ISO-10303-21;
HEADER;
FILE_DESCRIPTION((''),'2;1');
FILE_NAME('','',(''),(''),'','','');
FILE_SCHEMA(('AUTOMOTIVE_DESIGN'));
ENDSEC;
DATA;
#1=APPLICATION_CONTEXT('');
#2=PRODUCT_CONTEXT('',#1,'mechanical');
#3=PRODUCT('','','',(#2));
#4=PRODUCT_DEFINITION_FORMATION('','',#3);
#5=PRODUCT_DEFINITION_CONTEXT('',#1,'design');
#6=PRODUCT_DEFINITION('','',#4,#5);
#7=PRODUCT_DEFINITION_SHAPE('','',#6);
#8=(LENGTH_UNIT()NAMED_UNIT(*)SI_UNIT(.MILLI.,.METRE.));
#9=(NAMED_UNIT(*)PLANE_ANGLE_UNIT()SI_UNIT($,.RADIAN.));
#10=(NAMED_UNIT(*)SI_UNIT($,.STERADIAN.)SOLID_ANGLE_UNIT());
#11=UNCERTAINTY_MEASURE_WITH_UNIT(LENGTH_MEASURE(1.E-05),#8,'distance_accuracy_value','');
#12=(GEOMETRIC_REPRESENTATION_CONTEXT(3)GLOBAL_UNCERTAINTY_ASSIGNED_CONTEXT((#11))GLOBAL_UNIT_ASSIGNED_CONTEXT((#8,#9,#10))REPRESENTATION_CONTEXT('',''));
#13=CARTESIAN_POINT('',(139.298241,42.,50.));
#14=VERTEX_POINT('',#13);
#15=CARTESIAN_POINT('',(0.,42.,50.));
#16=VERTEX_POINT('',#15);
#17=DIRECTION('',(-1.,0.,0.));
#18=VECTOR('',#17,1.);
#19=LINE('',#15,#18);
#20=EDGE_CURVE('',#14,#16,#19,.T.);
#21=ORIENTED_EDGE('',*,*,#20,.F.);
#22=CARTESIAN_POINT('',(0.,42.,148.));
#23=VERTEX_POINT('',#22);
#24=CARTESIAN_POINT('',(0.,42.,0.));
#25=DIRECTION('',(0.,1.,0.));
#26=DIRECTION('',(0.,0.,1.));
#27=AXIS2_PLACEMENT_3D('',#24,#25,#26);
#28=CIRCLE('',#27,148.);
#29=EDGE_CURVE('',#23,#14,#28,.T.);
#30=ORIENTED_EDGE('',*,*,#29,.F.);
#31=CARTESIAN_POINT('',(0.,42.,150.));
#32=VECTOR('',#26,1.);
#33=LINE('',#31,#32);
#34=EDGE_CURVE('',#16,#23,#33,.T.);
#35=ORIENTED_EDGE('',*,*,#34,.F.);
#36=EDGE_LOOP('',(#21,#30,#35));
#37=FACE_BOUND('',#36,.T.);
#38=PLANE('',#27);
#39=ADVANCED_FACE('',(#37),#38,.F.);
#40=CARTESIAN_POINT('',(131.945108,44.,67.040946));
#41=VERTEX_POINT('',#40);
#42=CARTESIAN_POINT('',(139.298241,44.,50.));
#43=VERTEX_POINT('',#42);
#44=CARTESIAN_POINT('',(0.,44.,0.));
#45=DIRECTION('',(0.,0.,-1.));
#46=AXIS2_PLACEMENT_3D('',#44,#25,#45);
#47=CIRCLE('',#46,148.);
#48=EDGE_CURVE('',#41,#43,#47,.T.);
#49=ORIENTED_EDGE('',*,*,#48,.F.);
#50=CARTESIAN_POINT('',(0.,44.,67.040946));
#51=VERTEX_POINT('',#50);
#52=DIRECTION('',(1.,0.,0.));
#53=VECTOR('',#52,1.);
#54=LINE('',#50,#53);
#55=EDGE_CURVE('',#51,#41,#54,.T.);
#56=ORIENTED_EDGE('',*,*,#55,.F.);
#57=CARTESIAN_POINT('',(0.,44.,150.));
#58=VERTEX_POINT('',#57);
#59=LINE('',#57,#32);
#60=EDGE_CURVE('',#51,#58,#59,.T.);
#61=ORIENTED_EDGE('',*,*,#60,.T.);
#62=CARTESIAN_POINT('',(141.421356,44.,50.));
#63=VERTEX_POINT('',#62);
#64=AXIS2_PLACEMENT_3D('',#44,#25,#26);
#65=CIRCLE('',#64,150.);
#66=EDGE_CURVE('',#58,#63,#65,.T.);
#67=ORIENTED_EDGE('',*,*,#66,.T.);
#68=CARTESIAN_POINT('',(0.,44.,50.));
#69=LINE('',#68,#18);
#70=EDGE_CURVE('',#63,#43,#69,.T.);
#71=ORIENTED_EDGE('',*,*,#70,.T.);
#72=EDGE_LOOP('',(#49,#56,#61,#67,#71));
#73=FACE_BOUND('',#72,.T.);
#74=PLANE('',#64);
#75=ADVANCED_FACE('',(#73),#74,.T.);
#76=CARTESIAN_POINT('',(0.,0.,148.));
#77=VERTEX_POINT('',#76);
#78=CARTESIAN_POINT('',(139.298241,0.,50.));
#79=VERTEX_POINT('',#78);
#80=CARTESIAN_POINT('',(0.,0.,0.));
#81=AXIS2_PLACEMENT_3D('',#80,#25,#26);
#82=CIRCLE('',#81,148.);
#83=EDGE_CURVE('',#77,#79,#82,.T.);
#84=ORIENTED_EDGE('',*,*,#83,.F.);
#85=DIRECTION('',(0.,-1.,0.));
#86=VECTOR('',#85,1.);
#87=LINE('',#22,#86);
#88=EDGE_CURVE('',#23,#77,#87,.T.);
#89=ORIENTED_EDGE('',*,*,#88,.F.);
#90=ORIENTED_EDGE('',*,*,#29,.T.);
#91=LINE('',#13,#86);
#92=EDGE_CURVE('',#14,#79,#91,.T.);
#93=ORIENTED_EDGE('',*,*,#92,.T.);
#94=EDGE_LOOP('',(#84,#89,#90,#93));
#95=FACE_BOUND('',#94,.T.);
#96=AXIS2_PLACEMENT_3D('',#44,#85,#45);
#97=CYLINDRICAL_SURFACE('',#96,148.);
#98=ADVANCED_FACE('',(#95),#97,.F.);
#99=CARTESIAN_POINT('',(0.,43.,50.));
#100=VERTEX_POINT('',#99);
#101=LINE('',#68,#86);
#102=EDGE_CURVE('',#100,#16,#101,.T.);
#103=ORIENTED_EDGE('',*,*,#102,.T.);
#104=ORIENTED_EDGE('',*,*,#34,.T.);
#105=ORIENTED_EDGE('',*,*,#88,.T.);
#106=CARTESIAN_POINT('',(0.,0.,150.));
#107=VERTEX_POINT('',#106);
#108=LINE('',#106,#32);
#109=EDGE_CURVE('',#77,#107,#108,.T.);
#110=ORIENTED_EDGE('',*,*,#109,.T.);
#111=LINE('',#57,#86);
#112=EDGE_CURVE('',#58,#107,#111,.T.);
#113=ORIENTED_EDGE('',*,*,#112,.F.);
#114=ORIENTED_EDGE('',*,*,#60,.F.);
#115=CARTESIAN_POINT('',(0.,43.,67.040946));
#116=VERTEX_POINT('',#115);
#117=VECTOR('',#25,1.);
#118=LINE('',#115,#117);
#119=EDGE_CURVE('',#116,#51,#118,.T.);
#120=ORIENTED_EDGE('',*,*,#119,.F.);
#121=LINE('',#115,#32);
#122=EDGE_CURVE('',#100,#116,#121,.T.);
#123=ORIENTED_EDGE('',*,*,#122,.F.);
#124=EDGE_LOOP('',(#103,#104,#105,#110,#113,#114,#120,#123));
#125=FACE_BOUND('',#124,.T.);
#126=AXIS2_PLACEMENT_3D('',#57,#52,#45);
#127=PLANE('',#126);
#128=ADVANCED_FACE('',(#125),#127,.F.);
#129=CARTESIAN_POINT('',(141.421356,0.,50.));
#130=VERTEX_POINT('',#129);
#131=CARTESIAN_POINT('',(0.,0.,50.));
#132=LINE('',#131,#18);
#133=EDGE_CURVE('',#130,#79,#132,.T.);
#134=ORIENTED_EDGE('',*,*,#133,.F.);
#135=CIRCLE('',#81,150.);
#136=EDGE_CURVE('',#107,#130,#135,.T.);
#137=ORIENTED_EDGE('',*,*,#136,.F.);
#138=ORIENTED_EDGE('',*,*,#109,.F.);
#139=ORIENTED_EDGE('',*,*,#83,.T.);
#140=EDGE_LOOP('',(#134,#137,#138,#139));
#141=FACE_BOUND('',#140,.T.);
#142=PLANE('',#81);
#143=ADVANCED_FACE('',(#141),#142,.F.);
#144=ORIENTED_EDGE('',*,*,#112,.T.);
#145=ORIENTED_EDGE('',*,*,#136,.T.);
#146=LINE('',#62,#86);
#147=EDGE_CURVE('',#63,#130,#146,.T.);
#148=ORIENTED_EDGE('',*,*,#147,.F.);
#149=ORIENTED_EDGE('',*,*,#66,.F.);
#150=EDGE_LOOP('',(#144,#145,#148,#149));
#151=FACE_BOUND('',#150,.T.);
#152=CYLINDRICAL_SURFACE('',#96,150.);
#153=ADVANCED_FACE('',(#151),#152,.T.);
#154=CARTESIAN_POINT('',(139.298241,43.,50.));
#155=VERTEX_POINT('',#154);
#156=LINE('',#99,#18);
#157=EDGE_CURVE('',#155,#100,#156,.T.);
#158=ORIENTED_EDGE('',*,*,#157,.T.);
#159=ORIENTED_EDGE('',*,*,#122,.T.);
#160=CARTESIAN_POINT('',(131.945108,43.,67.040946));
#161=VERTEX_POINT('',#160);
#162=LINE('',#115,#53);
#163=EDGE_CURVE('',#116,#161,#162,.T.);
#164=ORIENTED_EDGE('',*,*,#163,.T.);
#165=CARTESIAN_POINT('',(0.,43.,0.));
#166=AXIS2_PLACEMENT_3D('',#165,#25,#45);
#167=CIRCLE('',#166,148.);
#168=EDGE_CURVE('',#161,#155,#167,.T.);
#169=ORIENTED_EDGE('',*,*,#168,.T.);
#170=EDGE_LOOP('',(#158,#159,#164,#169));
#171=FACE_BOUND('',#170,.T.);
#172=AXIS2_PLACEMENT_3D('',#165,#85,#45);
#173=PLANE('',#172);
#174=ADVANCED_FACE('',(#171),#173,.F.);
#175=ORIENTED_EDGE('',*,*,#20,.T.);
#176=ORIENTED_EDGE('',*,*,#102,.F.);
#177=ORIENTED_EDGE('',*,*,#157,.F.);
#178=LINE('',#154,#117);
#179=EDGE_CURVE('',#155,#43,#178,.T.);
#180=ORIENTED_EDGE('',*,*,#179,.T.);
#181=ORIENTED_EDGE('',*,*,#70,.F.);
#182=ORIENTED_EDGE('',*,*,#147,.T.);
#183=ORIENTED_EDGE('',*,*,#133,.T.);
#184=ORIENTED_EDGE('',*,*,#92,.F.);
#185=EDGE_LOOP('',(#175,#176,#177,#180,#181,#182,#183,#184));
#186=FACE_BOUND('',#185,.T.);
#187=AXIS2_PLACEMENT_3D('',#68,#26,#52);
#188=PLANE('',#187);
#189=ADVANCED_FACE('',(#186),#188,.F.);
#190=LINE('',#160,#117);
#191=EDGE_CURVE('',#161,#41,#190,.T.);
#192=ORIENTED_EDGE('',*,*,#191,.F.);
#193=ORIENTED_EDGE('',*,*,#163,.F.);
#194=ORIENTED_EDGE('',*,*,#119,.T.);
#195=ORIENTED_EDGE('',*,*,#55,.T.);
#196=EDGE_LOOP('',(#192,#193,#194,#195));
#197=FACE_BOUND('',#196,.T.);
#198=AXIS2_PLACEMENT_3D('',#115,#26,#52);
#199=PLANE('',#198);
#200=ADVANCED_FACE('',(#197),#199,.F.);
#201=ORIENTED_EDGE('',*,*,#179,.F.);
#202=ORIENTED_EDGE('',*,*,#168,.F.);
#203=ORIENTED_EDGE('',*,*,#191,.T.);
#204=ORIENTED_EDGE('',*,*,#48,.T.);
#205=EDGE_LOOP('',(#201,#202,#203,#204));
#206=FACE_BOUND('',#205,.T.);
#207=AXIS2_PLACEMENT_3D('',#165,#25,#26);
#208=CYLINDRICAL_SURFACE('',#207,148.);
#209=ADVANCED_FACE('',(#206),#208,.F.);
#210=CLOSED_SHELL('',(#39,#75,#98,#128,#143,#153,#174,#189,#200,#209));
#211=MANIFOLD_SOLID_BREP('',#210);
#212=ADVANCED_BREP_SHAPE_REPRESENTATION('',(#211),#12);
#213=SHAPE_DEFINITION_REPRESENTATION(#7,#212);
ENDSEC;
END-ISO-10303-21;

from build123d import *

# Parameters (mm, degrees)
BOSS_EXTRUDE1_DEPTH = 44
SHELL1_T            = -2
CUT_EXTRUDE1_START  = -1
CUT_EXTRUDE1_DEPTH  = 1


with BuildPart() as part:
    # Sketch1 → Boss-Extrude1 (new body)
    with BuildSketch(Plane(origin=(0, 0, 0), x_dir=(1, 0, 0), z_dir=(0, 1, 0))):
        with BuildLine():
            Line((0, -150), (0, -50))
            Line((0, -50), (141.421356237, -50))
            ThreePointArc((141.421356237, -50), (86.602540378, -122.474487139), (0, -150))
        make_face()
    extrude(amount=BOSS_EXTRUDE1_DEPTH)

    # Shell1
    shell1_openings = [part.faces().sort_by_distance(p)[0] for p in [
        (56.564232989, 0, 91.421606215),
        (0, 22, 100),
        (70.710678119, 22, 50),
    ]]
    offset(amount=SHELL1_T, openings=shell1_openings, kind=Kind.INTERSECTION)

    # Sketch2 → Cut-Extrude1 (cut)
    with BuildSketch(Plane(origin=(0, 44, 0), x_dir=(1, 0, 0), z_dir=(0, 1, 0)).offset(CUT_EXTRUDE1_START)):
        with BuildLine():
            Line((0, -67.040946117), (131.94510807, -67.040946117))
            ThreePointArc((131.94510807, -67.040946117), (135.889061706, -58.635850029), (139.298241195, -50))
            Line((139.298241195, -50), (0, -50))
            Line((0, -50), (0, -67.040946117))
        make_face()
    extrude(amount=CUT_EXTRUDE1_DEPTH, mode=Mode.SUBTRACT)


solid = part.part
